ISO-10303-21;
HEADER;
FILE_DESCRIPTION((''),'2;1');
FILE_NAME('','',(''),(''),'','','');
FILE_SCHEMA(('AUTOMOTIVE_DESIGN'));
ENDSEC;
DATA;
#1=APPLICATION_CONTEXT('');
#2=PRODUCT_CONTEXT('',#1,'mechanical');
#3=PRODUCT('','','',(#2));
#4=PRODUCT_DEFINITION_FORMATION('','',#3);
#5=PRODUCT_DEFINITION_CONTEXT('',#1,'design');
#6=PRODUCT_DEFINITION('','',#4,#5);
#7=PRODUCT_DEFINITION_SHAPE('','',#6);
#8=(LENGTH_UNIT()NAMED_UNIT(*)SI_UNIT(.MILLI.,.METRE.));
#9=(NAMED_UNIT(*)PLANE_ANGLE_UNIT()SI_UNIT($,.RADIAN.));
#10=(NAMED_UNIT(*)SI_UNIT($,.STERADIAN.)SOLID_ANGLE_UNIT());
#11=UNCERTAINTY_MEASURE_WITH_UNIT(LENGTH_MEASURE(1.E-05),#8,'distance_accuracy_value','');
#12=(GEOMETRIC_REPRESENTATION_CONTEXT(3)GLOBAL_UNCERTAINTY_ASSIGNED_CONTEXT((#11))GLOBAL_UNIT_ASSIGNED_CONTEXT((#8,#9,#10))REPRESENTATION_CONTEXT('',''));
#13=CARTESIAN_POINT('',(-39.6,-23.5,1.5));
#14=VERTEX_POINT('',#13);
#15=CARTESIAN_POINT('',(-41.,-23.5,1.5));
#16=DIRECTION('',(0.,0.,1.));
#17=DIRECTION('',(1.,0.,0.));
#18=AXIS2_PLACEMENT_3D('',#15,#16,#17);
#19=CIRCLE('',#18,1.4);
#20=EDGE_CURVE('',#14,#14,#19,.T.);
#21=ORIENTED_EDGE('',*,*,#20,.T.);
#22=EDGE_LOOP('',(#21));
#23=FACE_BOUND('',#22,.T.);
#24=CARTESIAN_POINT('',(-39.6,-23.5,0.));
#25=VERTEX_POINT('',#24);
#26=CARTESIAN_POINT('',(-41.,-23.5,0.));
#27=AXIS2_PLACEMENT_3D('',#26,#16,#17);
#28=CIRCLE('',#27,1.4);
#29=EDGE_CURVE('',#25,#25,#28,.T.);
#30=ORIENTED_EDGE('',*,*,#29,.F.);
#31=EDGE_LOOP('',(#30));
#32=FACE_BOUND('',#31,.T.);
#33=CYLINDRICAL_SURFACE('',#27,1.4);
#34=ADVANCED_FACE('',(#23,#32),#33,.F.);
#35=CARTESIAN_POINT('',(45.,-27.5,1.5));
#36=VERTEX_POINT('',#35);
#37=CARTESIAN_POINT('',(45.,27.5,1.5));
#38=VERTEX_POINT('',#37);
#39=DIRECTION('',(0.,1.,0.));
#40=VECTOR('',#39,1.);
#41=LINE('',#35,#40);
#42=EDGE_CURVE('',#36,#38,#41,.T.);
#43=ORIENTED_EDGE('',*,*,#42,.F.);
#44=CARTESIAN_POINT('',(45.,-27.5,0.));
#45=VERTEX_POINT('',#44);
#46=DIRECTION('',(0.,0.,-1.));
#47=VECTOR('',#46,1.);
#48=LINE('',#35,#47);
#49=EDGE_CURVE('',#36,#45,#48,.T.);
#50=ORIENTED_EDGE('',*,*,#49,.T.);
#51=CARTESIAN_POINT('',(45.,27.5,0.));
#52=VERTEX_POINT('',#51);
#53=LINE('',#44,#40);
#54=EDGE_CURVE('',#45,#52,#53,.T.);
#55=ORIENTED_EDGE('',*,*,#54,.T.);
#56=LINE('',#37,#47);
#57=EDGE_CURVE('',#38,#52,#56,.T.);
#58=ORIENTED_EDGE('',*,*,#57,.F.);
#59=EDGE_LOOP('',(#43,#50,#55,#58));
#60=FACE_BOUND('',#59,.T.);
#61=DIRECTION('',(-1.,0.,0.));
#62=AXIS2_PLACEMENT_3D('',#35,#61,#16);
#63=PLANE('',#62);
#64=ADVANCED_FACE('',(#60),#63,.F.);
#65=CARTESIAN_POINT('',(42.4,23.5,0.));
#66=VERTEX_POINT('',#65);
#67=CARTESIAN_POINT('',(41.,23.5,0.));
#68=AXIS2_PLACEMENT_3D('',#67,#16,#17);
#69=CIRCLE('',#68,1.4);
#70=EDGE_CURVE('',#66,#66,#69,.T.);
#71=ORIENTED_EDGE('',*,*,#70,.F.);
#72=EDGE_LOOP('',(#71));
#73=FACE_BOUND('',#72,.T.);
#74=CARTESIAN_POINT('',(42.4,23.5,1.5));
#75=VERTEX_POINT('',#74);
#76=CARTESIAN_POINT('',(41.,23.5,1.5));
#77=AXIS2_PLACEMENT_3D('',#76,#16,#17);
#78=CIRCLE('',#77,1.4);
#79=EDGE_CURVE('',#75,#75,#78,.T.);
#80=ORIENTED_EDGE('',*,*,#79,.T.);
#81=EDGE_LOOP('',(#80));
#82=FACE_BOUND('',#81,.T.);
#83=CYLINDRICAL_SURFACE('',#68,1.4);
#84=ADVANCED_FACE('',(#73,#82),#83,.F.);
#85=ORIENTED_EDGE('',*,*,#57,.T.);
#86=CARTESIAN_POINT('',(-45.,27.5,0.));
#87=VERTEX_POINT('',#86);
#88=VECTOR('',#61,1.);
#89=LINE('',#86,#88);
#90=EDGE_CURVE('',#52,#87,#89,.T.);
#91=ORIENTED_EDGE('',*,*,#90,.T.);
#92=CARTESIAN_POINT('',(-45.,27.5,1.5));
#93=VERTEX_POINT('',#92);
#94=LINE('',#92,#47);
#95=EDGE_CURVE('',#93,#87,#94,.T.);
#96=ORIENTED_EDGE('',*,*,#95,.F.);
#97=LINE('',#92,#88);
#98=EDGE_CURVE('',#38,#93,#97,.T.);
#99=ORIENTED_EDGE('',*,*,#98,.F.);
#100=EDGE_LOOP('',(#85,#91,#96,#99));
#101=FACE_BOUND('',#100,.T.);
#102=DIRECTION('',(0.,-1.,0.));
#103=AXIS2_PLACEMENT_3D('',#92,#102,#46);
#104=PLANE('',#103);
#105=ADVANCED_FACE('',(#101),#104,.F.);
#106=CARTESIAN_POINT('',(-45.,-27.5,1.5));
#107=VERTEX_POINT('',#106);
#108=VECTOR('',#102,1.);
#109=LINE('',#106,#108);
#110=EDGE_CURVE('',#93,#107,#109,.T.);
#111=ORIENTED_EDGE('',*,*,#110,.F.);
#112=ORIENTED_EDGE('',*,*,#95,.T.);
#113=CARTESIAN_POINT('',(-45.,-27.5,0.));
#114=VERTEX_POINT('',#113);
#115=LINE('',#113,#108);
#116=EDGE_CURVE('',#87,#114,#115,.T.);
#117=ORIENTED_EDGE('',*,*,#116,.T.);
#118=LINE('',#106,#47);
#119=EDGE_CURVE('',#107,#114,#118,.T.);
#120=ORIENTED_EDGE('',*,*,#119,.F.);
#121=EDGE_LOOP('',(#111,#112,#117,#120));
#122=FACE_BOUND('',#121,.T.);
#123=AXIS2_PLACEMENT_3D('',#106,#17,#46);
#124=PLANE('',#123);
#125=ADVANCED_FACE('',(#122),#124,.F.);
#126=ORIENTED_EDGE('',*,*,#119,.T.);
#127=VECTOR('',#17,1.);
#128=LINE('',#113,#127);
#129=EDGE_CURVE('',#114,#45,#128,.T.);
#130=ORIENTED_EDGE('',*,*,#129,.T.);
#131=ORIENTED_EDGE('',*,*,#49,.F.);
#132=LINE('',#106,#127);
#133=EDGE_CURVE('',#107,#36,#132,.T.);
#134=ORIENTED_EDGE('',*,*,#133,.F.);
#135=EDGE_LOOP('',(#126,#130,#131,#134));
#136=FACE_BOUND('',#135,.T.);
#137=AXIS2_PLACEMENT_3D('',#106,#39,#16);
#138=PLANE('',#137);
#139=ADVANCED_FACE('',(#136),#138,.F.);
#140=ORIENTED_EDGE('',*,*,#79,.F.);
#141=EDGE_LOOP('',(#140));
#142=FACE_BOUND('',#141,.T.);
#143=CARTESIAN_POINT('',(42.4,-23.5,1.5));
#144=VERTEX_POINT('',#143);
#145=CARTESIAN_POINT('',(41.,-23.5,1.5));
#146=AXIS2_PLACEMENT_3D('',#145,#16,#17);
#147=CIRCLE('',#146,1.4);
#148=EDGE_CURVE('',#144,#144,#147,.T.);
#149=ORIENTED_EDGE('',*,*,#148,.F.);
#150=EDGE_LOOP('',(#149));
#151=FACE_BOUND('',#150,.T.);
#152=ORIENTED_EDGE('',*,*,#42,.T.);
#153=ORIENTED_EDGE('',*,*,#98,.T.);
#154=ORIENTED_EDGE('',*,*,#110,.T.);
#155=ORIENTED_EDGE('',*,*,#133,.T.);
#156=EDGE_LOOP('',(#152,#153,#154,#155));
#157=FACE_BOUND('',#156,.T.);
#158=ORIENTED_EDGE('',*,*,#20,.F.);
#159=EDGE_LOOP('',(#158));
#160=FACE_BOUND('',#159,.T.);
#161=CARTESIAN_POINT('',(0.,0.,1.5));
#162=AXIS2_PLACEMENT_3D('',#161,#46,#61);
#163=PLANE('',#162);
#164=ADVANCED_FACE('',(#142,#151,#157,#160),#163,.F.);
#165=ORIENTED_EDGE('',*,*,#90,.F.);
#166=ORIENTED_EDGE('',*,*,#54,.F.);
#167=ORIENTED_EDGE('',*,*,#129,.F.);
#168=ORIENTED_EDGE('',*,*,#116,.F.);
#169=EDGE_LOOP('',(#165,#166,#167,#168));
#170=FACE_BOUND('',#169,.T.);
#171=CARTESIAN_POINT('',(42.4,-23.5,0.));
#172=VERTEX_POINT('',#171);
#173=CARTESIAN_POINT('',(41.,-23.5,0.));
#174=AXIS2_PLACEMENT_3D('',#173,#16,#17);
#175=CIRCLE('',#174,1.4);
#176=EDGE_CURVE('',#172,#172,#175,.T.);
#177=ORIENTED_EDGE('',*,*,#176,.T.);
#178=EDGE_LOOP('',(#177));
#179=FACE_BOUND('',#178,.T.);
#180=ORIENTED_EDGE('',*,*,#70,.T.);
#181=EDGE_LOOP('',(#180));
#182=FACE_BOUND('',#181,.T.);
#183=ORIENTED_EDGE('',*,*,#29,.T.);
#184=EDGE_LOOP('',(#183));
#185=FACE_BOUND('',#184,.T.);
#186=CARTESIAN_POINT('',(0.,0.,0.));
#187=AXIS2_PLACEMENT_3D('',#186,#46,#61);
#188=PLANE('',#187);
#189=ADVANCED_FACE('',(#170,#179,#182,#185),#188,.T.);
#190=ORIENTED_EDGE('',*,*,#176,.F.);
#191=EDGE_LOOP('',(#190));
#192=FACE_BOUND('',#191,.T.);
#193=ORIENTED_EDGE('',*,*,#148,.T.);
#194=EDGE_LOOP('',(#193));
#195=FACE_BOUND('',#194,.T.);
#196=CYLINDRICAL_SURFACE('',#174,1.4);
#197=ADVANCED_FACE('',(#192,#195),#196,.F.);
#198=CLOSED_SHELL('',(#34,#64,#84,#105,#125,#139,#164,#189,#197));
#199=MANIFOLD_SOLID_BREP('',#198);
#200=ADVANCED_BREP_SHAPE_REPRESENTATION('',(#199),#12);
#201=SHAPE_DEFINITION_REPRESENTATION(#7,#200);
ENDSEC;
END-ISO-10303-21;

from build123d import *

# Parameters (mm, degrees)
SKETCH_1_W          = 90
SKETCH_1_H          = 55
EXTRUDE_1_DEPTH     = 1.5
SKETCH_2_R          = 1.4
CUT_EXTRUDE_1_DEPTH = 1.5


with BuildPart() as part:
    # ｽｹｯﾁ1 → ﾎﾞｽ - 押し出し1 (new body)
    with BuildSketch(Plane.XY):
        Rectangle(SKETCH_1_W, SKETCH_1_H)
    extrude(amount=EXTRUDE_1_DEPTH)

    # ｽｹｯﾁ2 → ｶｯﾄ - 押し出し1 (cut)
    with BuildSketch(Plane.XY.offset(1.5)):
        with Locations((41, -23.5)):
            Circle(SKETCH_2_R)
        with Locations((-41, -23.5)):
            Circle(SKETCH_2_R)
        with Locations((41, 23.5)):
            Circle(SKETCH_2_R)
    extrude(amount=-CUT_EXTRUDE_1_DEPTH, mode=Mode.SUBTRACT)


solid = part.part
